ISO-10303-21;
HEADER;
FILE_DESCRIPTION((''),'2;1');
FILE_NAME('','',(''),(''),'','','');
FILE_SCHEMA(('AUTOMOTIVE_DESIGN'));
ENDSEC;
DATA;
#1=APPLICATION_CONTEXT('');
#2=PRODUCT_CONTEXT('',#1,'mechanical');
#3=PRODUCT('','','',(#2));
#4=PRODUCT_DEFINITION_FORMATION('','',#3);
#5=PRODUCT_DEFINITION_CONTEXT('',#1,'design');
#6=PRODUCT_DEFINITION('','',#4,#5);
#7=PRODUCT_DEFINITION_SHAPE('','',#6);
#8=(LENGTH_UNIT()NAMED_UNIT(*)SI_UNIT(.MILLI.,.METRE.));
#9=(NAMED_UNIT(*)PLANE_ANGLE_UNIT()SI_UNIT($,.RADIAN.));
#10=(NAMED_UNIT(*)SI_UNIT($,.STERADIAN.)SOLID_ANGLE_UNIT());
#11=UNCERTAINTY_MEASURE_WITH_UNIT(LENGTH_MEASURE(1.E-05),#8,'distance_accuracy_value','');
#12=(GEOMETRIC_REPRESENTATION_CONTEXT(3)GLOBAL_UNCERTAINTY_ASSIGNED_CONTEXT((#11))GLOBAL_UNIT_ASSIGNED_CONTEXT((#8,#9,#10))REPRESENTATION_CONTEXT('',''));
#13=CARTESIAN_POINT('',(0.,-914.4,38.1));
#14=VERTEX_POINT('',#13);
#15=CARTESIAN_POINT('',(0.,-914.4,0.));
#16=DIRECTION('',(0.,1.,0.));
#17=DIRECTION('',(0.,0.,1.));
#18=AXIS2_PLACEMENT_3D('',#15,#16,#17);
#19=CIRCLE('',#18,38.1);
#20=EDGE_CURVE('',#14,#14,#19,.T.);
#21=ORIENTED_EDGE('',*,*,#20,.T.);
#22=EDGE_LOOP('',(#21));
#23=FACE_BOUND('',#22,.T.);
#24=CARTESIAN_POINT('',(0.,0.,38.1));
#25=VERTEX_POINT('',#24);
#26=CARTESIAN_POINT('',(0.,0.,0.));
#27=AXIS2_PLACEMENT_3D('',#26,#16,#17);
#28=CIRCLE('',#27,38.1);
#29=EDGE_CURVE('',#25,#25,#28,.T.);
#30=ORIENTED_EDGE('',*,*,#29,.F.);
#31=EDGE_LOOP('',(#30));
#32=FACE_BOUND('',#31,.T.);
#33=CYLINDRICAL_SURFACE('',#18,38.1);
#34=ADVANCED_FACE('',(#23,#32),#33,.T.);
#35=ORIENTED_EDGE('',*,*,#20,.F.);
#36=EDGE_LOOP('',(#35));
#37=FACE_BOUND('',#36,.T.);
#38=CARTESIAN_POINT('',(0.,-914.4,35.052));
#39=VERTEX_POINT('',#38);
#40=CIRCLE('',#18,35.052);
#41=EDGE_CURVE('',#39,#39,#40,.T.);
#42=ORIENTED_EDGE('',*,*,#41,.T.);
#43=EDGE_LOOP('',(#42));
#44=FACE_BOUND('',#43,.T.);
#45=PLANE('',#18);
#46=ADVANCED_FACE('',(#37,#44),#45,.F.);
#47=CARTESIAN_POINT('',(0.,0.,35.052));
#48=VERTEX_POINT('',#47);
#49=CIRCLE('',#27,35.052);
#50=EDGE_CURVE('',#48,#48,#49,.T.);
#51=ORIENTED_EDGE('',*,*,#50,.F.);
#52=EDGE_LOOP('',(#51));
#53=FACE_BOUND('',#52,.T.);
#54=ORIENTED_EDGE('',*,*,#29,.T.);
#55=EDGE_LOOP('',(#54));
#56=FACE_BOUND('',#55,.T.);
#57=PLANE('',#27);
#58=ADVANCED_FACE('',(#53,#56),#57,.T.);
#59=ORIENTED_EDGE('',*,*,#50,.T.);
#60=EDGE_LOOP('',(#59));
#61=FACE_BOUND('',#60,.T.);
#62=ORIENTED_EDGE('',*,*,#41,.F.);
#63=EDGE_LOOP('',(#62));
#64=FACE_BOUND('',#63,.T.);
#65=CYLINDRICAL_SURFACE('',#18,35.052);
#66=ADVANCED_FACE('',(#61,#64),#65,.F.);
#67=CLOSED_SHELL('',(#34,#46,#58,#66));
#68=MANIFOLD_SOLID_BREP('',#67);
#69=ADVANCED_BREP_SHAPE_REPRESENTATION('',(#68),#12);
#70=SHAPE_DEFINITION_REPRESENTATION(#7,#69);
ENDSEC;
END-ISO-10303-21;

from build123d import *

# Parameters (mm, degrees)
SKETCH1_R           = 38.1
BOSS_EXTRUDE1_DEPTH = 914.4
SKETCH2_R           = 35.052
CUT_EXTRUDE1_DEPTH  = 916.986124349


with BuildPart() as part:
    # Sketch1 → Boss-Extrude1 (new body)
    with BuildSketch(Plane(origin=(0, 0, 0), x_dir=(1, 0, 0), z_dir=(0, 1, 0))):
        with Locations(Location((0, 0, 0), (0, 0, 270))):
            Circle(SKETCH1_R)
    extrude(amount=-BOSS_EXTRUDE1_DEPTH)

    # Sketch2 → Cut-Extrude1 (cut, through all)
    with BuildSketch(Plane(origin=(0, 0, 0), x_dir=(1, 0, 0), z_dir=(0, 1, 0))):
        with Locations(Location((0, 0, 0), (0, 0, 270))):
            Circle(SKETCH2_R)
    extrude(amount=-CUT_EXTRUDE1_DEPTH, mode=Mode.SUBTRACT)


solid = part.part
